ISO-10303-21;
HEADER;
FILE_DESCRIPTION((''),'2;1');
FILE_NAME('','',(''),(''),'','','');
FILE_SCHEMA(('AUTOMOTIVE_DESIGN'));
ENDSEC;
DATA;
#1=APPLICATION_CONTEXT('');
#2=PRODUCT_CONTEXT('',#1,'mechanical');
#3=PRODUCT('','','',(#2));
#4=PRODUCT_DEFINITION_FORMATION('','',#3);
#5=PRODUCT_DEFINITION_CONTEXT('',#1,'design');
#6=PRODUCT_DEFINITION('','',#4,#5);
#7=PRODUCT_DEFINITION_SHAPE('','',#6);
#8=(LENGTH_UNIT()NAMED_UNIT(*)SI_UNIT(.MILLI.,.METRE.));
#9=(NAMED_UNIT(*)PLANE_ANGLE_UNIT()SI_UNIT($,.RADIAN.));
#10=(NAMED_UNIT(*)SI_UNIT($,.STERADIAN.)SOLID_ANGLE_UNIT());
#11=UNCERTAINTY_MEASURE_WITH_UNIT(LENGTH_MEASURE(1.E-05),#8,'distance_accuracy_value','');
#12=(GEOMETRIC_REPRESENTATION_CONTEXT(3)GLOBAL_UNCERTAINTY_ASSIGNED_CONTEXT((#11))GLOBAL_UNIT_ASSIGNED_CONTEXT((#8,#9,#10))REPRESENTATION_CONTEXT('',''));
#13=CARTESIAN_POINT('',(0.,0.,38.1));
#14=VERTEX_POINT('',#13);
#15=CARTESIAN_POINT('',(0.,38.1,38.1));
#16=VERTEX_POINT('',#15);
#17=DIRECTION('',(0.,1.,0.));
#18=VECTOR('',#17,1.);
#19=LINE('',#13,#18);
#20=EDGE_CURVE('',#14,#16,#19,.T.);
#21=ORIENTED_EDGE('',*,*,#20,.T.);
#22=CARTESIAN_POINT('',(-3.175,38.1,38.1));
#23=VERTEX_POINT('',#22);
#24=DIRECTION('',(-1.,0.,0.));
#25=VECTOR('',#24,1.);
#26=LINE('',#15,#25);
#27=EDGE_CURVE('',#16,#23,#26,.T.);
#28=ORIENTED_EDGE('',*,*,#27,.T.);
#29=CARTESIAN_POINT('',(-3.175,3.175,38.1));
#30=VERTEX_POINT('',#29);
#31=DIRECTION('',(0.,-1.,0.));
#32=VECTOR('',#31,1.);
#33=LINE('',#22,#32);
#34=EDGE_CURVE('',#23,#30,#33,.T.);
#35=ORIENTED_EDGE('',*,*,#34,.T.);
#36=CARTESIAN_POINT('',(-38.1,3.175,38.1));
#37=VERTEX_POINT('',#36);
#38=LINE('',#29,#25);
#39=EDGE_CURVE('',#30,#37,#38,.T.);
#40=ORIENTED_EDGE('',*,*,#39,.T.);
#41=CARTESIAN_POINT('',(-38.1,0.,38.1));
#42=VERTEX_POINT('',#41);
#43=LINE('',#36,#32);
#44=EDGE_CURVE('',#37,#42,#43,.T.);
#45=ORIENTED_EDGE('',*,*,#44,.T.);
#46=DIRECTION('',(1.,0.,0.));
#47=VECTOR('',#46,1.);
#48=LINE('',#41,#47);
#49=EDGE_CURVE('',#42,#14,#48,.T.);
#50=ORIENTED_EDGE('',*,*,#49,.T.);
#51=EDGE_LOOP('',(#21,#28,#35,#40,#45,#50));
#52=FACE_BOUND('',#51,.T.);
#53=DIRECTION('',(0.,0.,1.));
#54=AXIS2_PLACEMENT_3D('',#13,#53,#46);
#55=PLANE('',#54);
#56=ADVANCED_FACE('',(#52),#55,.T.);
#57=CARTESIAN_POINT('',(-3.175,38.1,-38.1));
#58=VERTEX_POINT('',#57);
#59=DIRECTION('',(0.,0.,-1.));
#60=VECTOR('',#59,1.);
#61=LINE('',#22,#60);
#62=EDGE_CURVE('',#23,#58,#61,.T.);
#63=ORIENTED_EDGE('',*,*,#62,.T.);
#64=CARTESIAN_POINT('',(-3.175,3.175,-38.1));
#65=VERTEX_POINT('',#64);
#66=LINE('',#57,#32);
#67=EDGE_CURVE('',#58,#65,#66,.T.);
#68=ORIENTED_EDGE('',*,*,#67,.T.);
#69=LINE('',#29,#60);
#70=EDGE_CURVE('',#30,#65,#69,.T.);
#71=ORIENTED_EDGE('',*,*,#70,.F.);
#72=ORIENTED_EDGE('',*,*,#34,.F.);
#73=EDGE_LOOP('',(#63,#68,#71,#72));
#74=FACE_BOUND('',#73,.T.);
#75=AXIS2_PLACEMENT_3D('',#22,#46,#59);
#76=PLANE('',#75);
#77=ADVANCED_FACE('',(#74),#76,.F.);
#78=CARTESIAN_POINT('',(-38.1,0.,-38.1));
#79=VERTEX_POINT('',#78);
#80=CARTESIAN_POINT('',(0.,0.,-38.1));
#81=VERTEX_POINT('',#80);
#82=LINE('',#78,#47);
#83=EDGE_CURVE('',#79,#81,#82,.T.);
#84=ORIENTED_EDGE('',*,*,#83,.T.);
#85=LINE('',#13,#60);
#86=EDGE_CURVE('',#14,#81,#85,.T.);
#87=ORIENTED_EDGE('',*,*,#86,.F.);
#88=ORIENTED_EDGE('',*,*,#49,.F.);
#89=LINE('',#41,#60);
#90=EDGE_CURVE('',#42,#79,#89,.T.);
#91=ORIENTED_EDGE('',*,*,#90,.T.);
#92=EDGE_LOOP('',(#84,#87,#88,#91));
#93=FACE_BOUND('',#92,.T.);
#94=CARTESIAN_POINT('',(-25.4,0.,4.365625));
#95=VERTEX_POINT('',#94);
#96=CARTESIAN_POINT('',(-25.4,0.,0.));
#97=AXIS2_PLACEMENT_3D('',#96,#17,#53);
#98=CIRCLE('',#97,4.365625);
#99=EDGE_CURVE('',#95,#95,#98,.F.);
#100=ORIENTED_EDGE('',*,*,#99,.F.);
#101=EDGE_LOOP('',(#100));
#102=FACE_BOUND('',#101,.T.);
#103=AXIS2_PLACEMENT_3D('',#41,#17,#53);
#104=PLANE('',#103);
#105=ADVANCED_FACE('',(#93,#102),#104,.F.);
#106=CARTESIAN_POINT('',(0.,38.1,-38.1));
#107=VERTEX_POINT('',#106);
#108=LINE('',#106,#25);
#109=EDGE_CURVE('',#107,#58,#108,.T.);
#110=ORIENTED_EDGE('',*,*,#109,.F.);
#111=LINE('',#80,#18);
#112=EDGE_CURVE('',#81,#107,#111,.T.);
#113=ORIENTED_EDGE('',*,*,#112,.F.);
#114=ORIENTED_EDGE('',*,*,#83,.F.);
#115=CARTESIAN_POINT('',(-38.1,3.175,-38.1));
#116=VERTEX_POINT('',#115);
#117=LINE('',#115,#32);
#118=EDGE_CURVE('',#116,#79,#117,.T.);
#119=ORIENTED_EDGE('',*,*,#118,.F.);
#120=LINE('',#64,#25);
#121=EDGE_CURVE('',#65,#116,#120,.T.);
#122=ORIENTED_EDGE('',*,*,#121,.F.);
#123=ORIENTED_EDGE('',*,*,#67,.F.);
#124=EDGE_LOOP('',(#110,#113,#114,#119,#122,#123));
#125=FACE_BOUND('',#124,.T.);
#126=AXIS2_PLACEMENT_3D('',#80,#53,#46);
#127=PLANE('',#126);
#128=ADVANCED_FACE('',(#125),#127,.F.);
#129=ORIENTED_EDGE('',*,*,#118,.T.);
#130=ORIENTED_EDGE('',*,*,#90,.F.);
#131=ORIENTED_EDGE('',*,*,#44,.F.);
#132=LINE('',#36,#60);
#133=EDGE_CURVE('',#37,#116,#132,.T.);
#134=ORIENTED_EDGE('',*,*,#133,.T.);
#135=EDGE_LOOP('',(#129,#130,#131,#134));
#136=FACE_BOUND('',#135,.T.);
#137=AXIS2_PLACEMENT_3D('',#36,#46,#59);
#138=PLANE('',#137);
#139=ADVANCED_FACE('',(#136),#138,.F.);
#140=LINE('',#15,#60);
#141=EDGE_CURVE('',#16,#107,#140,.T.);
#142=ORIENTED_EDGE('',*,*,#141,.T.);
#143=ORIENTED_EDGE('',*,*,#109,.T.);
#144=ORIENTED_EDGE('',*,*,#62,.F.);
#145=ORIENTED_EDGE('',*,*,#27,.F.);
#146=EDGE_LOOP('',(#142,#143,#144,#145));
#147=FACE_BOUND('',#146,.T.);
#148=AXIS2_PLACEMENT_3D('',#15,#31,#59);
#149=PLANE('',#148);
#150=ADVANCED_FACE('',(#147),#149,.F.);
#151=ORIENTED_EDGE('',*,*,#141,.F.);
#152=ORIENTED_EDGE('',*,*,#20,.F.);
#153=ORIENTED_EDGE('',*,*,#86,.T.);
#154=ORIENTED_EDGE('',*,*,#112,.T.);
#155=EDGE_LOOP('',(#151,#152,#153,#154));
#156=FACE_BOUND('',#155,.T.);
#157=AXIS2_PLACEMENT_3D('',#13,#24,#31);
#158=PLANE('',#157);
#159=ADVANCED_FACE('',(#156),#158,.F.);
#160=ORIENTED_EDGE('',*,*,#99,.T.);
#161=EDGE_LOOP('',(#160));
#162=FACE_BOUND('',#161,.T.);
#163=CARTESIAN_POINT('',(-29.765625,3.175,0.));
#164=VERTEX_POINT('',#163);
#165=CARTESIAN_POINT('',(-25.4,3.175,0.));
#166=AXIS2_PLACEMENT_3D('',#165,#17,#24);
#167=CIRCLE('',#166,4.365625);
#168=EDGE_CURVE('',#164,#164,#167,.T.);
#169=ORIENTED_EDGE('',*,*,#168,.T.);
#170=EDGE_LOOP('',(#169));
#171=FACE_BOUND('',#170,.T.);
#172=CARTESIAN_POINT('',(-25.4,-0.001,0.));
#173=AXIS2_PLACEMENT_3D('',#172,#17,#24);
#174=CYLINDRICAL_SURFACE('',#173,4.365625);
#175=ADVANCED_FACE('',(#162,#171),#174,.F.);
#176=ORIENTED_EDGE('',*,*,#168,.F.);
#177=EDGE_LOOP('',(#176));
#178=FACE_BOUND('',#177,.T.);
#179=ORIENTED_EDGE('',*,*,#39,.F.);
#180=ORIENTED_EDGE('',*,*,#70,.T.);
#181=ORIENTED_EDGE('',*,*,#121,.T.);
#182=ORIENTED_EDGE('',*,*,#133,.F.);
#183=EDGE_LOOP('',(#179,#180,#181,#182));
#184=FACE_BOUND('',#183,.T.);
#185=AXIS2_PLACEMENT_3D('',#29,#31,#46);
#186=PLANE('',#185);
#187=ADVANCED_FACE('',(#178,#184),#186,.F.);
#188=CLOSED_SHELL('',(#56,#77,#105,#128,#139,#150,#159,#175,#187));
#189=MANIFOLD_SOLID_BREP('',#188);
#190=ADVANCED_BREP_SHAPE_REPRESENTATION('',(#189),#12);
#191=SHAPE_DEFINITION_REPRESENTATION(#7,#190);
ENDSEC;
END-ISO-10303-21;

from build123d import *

# Parameters (mm, degrees)
BOSS_EXTRUDE1_DEPTH = 38.1
CUT_EXTRUDE1_REACH  = 5.175
SKETCH3_R           = 4.365625


with BuildPart() as part:
    # Sketch1 → Boss-Extrude1 (new body, symmetric)
    with BuildSketch(Plane(origin=(0, 0, 0), x_dir=(0, -1, 0), z_dir=(0, 0, 1))):
        Polygon((0, 0), (-38.1, 0), (-38.1, -3.175), (-3.175, -3.175), (-3.175, -38.1), (0, -38.1), align=None)
    extrude(amount=BOSS_EXTRUDE1_DEPTH, both=True)

    # Sketch3 → Cut-Extrude1 (cut, up to next)
    with BuildSketch(Plane(origin=(0, 3.175, 0), x_dir=(1, 0, 0), z_dir=(0, 1, 0)), mode=Mode.PRIVATE) as cut_extrude1_sk1:
        with Locations(Location((-25.4, 0, 0), (0, 0, 180))):  # turned: the seam where the file's is
            Circle(SKETCH3_R)
    cut_extrude1_tool1 = extrude(cut_extrude1_sk1.sketch, amount=-CUT_EXTRUDE1_REACH, mode=Mode.PRIVATE) & part.part
    add(cut_extrude1_tool1.solids().sort_by_distance((-25.4, 3.175, 0))[0], mode=Mode.SUBTRACT)


solid = part.part
